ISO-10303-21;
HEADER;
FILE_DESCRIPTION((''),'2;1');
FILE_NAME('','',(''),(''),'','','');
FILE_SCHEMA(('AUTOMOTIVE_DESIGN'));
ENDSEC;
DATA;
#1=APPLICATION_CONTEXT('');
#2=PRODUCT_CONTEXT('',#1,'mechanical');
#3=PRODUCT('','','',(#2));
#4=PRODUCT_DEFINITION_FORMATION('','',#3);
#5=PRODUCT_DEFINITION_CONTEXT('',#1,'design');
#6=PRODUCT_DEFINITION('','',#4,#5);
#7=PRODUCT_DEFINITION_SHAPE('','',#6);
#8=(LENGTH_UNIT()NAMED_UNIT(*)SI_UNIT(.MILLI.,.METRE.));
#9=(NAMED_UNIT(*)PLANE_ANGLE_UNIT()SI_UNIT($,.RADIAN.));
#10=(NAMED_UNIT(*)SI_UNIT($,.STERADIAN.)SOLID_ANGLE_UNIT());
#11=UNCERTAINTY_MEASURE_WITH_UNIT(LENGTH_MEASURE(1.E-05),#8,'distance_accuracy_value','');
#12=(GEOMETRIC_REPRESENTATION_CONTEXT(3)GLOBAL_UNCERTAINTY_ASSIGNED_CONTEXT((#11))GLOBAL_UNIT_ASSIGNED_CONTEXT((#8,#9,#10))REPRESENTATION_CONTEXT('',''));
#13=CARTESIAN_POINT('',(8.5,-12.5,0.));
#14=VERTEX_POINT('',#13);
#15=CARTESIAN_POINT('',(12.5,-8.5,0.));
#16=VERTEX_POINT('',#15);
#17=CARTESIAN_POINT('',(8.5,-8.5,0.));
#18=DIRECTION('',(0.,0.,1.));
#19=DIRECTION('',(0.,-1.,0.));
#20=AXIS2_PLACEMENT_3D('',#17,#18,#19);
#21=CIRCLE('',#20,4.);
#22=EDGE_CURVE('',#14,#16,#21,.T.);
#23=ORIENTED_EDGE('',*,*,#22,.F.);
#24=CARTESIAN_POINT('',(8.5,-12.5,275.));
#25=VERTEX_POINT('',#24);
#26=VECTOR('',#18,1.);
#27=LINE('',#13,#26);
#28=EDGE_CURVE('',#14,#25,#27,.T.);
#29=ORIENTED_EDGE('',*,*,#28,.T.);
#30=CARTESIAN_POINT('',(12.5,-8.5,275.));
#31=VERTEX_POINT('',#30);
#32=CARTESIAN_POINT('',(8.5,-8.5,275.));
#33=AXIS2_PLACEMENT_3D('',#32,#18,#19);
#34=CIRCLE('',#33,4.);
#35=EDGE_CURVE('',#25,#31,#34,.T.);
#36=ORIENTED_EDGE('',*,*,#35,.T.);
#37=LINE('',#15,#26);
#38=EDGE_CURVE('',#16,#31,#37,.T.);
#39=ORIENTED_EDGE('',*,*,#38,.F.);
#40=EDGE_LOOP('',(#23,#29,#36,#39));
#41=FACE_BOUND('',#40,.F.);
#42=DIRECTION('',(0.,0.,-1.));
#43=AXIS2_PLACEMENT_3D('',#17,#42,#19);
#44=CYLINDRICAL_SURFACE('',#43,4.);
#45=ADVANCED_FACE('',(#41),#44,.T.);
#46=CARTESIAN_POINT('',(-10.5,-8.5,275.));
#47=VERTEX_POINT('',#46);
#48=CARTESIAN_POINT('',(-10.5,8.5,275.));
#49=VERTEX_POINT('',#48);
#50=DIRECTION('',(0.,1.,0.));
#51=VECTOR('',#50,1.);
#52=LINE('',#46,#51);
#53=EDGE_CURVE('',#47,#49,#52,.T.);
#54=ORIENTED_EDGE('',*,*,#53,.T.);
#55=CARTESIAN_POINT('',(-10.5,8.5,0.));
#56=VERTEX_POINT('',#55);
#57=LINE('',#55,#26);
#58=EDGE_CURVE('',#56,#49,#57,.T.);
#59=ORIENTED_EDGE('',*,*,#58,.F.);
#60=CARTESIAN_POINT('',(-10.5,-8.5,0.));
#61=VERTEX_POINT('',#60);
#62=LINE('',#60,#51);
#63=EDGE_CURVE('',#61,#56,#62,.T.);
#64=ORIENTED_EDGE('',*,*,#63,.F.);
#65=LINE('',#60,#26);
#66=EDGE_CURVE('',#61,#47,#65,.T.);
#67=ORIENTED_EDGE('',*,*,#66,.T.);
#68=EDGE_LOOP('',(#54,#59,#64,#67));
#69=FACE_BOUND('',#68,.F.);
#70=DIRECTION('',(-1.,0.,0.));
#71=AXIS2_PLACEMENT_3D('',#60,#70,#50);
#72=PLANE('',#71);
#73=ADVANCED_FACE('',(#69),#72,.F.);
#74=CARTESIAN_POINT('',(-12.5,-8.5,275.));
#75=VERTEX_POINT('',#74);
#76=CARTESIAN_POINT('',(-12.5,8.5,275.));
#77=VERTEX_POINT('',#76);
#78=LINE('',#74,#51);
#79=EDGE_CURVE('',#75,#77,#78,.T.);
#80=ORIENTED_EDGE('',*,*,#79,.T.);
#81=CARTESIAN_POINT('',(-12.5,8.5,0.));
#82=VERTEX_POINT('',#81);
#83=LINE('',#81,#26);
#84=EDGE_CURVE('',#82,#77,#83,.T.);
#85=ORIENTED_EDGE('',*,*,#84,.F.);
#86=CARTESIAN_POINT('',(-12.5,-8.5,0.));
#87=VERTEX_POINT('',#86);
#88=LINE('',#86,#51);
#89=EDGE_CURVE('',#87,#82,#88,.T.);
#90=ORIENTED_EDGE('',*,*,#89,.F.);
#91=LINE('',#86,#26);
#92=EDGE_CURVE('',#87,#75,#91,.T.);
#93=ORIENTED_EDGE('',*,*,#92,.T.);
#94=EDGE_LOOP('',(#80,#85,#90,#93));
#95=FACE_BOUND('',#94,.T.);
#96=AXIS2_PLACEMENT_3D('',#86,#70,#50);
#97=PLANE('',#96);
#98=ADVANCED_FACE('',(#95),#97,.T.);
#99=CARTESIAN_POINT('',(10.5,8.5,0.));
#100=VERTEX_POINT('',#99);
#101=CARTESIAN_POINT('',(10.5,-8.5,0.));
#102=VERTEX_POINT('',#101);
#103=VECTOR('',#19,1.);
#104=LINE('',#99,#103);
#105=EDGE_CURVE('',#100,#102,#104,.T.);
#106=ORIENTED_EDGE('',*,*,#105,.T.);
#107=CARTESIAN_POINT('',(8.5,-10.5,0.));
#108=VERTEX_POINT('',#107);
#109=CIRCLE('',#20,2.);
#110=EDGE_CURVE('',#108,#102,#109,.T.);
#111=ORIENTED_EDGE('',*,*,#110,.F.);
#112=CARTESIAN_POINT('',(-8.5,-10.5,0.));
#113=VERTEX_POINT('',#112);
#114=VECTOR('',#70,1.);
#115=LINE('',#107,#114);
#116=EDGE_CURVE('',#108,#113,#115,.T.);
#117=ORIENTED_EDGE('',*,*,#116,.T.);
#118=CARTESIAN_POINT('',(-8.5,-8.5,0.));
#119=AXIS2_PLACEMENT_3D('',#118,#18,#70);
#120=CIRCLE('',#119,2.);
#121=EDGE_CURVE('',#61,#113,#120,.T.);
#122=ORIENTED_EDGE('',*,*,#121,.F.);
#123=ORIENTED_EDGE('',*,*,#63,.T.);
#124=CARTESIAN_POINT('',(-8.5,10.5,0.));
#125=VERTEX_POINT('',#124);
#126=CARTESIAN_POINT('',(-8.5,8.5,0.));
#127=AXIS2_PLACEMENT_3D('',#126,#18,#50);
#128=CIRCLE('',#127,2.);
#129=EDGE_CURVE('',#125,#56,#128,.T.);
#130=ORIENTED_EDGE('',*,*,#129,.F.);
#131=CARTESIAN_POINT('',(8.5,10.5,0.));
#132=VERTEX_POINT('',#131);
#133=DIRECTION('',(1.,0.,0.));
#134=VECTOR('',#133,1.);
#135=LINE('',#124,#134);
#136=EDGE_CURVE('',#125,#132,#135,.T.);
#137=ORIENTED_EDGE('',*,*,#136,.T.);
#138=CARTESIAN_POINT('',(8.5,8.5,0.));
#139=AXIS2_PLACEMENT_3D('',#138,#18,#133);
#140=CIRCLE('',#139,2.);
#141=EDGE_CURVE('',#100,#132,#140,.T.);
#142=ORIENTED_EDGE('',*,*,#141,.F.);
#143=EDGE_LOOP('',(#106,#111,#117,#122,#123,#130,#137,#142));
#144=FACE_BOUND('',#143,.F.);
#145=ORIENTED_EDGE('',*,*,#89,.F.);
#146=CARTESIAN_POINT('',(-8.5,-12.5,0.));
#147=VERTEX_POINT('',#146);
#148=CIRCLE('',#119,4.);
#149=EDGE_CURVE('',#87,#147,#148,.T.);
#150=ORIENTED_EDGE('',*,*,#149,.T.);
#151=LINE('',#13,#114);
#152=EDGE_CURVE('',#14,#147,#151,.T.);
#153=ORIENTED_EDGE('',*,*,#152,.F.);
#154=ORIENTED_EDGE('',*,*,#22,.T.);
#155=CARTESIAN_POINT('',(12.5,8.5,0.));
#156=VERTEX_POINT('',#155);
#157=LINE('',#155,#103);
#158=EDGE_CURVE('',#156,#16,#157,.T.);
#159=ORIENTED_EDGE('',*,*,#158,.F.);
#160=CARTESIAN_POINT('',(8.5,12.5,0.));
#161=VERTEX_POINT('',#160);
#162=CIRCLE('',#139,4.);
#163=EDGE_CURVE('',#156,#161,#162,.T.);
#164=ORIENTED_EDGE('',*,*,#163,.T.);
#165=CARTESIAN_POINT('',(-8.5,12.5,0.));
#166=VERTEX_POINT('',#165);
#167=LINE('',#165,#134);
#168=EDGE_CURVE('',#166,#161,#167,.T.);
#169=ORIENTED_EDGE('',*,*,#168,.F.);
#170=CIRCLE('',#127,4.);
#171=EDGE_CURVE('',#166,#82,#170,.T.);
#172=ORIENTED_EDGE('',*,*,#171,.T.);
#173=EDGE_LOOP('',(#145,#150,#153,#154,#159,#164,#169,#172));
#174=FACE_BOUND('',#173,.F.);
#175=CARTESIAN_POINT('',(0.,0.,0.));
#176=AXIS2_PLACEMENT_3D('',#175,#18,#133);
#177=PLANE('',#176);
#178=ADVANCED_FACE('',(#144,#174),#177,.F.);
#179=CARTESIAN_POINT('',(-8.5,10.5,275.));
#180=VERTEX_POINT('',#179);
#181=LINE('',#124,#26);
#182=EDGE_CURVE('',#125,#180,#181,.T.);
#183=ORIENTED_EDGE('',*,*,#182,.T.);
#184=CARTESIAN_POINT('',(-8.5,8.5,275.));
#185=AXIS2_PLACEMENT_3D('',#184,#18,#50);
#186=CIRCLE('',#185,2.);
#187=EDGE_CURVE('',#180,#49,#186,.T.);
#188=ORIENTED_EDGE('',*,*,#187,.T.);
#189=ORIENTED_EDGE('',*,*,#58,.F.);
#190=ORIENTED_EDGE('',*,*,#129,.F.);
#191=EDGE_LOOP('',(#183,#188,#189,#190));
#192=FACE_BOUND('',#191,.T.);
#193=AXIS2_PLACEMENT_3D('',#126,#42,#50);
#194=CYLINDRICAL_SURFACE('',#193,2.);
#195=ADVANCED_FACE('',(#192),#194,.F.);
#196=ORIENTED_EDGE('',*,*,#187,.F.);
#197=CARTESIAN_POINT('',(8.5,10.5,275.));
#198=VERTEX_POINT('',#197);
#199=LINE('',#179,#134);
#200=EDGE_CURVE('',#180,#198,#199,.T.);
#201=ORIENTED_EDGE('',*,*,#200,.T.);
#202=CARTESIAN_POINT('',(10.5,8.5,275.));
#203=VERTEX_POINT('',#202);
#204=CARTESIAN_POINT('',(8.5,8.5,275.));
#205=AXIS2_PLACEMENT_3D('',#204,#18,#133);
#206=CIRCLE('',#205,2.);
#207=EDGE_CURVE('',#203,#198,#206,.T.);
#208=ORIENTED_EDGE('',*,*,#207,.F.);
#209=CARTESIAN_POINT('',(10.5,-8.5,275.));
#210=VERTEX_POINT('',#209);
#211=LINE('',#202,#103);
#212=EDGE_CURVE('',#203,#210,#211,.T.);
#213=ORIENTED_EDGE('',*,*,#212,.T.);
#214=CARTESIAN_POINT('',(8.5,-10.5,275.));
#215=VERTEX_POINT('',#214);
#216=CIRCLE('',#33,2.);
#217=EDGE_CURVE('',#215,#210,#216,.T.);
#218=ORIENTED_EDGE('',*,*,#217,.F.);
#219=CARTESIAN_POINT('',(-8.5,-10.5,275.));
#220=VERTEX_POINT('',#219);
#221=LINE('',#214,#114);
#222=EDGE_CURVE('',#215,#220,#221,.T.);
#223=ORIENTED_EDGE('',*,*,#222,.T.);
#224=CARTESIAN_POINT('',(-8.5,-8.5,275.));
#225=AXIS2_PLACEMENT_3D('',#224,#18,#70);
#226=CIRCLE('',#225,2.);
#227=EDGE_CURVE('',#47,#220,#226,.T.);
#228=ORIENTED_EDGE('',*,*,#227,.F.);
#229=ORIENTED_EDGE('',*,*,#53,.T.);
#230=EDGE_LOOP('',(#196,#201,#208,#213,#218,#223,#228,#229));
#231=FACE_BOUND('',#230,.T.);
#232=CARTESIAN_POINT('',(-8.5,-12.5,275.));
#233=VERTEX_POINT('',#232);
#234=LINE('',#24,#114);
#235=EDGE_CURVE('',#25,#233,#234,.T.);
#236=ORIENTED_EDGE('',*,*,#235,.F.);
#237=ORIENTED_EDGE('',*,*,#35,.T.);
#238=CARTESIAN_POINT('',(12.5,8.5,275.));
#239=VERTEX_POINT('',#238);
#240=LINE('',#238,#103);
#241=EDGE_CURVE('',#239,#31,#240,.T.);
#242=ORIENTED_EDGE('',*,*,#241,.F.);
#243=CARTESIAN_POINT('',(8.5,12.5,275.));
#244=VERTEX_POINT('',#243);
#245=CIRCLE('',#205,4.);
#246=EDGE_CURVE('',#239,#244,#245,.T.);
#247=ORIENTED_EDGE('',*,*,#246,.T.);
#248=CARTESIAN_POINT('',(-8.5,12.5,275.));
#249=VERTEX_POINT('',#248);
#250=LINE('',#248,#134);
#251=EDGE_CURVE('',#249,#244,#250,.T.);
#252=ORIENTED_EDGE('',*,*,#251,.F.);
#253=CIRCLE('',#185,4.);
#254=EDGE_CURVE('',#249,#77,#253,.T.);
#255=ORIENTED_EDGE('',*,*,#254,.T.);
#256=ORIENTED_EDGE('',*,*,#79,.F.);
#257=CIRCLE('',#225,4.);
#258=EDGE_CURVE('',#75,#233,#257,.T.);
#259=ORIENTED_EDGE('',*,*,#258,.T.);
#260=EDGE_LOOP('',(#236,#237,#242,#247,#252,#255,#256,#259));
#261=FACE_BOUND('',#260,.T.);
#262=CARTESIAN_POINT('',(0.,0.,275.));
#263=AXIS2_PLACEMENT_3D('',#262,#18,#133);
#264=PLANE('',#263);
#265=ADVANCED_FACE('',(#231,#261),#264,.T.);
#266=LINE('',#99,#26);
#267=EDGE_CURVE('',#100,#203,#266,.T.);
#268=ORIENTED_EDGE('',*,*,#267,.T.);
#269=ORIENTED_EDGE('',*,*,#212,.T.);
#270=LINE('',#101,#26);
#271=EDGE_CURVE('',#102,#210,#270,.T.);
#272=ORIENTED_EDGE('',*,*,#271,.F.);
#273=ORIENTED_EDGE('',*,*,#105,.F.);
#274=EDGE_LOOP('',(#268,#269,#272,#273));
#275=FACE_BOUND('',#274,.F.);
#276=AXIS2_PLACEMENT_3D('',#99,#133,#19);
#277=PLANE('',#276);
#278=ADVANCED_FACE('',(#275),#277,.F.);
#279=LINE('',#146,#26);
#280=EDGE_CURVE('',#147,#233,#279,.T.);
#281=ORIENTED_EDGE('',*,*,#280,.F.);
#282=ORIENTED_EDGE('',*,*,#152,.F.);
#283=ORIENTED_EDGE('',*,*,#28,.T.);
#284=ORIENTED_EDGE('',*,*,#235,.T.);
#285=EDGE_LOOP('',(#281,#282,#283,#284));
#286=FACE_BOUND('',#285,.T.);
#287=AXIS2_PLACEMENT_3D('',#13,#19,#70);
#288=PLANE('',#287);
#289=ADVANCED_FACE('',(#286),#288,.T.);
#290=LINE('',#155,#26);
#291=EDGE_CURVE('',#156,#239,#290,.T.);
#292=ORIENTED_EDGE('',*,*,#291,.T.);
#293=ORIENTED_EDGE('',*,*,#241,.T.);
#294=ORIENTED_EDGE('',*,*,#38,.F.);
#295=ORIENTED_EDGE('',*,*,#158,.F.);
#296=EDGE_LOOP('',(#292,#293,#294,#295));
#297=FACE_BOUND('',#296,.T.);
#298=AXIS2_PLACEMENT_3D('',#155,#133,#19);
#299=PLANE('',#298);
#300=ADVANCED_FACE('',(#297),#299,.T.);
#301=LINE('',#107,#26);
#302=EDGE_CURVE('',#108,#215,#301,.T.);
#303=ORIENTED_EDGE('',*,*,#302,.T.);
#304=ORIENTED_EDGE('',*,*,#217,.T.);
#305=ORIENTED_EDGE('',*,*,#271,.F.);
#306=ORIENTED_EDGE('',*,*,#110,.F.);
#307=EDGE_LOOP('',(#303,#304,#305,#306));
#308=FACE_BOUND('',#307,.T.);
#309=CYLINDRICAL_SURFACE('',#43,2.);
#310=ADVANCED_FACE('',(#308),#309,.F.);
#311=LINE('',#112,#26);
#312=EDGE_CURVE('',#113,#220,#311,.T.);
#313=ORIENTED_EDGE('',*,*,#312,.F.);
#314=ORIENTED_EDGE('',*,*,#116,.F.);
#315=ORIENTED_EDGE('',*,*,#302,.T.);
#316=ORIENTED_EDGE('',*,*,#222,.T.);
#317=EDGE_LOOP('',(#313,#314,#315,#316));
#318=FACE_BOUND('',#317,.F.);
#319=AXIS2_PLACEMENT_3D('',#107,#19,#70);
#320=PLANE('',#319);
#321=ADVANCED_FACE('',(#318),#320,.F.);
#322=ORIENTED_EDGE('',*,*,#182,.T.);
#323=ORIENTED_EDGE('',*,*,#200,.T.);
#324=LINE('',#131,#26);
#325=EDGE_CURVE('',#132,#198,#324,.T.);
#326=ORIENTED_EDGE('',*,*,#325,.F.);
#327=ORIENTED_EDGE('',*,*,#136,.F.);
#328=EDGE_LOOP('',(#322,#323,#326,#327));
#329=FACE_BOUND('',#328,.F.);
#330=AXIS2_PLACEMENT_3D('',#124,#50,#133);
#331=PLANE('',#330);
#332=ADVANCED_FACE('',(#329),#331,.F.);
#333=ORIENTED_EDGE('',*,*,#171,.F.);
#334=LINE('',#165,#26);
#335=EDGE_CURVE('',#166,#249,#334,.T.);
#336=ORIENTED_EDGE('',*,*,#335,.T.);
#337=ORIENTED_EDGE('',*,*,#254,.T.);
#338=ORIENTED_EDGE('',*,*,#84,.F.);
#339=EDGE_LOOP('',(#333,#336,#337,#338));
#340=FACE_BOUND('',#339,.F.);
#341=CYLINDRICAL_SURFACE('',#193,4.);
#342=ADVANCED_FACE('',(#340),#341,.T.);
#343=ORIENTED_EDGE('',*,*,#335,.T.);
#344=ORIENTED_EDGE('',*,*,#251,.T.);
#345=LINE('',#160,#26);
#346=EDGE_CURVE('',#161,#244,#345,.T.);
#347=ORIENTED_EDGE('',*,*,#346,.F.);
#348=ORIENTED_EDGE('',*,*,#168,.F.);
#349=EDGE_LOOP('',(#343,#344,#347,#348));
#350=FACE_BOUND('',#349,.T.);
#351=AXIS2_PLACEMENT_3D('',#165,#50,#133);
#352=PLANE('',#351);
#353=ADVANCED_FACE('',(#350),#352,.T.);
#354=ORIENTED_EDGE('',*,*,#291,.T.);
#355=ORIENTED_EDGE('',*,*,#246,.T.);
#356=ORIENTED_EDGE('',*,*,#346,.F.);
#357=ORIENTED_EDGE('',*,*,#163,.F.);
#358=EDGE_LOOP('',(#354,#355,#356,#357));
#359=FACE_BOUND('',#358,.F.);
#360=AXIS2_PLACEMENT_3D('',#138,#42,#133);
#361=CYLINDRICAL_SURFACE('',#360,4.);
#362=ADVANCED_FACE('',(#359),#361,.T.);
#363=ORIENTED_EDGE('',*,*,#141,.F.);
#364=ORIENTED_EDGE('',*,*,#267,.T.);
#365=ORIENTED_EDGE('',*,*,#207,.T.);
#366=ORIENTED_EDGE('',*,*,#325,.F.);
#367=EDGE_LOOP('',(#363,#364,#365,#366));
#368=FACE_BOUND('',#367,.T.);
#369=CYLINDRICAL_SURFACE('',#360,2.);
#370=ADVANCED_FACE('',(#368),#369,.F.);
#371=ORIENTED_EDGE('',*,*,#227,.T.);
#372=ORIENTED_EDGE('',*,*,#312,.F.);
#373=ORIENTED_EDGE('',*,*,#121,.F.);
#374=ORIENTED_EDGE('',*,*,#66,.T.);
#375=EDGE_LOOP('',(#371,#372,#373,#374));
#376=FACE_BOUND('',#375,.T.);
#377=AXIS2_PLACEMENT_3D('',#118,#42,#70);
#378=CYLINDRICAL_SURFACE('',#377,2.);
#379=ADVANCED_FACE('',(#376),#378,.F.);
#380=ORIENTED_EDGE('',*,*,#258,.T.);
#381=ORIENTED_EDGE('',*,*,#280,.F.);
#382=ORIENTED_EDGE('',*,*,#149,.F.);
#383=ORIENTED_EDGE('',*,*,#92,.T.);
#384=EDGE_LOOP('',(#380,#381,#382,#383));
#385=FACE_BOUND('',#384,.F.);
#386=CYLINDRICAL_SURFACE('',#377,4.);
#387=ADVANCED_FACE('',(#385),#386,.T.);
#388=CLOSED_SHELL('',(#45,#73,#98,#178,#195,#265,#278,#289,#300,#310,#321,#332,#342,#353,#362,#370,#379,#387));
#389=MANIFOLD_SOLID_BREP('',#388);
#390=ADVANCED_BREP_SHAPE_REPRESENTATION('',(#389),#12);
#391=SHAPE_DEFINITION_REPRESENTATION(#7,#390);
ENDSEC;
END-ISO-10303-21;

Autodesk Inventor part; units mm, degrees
ref_plane "Start plane" through (0, 0, 0) normal (0, 0, 1) x (1, 0, 0)
ref_plane "End plane" through (0, 0, 275) normal (0, 0, 1) x (1, 0, 0)
sketch "Sketch" plane through (0, 0, 0) normal (0, 0, 1) x (1, 0, 0)
  line L0 (-12.5, -8.5) -> (-12.5, 8.5)
  line L1 (-8.5, 12.5) -> (8.5, 12.5)
  line L2 (12.5, 8.5) -> (12.5, -8.5)
  line L3 (8.5, -12.5) -> (-8.5, -12.5)
  arc A0 (-12.5, -8.5) -> (-8.5, -12.5) centre (-8.5, -8.5) ccw
  arc A1 (12.5, 8.5) -> (8.5, 12.5) centre (8.5, 8.5) ccw
  arc A2 (-8.5, 12.5) -> (-12.5, 8.5) centre (-8.5, 8.5) ccw
  arc A3 (8.5, -12.5) -> (12.5, -8.5) centre (8.5, -8.5) ccw
  arc A4 (-8.5, 10.5) -> (-10.5, 8.5) centre (-8.5, 8.5) ccw
  line L4 (-8.5, 10.5) -> (8.5, 10.5)
  arc A5 (10.5, 8.5) -> (8.5, 10.5) centre (8.5, 8.5) ccw
  line L5 (10.5, 8.5) -> (10.5, -8.5)
  arc A6 (8.5, -10.5) -> (10.5, -8.5) centre (8.5, -8.5) ccw
  line L6 (8.5, -10.5) -> (-8.5, -10.5)
  arc A7 (-10.5, -8.5) -> (-8.5, -10.5) centre (-8.5, -8.5) ccw
  line L7 (-10.5, -8.5) -> (-10.5, 8.5)
  line L8 (0, 18.6598) -> (0, -18.6598) construction
  line L9 (-18.6598, 0) -> (18.6598, 0) construction
  dimension "d7" = 4
  dimension "d9" = 25
  dimension "d11" = 25
  dimension "d12" = 2
  dimension "d15" = 12.5
  dimension "d16" = 12.5
extrude "Body" add sketch "Sketch" along normal up to surface (275 mm away) from surface at 0
sketch "Sketch3" plane through (0, 0, 0) normal (0, 0, 1) x (1, 0, 0)
  line L0 (0, 0) -> (10, 0)
ref_plane "Work Plane3" through (0, 0, 0) normal (0, -1, 0) x (1, 0, 0)
sketch "Sketch4" plane through (0, 0, 0) normal (0, -1, 0) x (1, 0, 0)
  line L0 (-2, 0) -> (12, 0)
  line L1 (-2, 275) -> (12, 275)
  dimension "d18" = 275
ref_plane "Work Plane4" through (467.5, -8.5, 275) normal (0, 0, 1) x (1, 0, 0)
split "Split1" plane through (467.5, -8.5, 275) removes the side toward (0, 0, 1)
equation "\"d7\" = G_IR"
equation "\"d9\" = G_W"
equation "\"d11\" = G_H"
equation "\"d12\" = G_T"
equation "\"d15\" = 0.5 * d9"
equation "\"d16\" = 0.5 * d11"
equation "\"d3\" = G_L"
equation "\"G_W\" = 25"
equation "\"G_H\" = 25"
equation "\"G_T\" = 2"
equation "\"G_IR\" = 4"
equation "\"G_L\" = d18"
equation "\"G_OFFSET_START\" = 0"
equation "\"G_OFFSET_END\" = -25"
equation "\"d14\" = G_OFFSET_END + B_L"
equation "\"B_L\" = 300"
properties part number "ISO 4019 - 25x25x2 - 275" material "Steel, Mild"
